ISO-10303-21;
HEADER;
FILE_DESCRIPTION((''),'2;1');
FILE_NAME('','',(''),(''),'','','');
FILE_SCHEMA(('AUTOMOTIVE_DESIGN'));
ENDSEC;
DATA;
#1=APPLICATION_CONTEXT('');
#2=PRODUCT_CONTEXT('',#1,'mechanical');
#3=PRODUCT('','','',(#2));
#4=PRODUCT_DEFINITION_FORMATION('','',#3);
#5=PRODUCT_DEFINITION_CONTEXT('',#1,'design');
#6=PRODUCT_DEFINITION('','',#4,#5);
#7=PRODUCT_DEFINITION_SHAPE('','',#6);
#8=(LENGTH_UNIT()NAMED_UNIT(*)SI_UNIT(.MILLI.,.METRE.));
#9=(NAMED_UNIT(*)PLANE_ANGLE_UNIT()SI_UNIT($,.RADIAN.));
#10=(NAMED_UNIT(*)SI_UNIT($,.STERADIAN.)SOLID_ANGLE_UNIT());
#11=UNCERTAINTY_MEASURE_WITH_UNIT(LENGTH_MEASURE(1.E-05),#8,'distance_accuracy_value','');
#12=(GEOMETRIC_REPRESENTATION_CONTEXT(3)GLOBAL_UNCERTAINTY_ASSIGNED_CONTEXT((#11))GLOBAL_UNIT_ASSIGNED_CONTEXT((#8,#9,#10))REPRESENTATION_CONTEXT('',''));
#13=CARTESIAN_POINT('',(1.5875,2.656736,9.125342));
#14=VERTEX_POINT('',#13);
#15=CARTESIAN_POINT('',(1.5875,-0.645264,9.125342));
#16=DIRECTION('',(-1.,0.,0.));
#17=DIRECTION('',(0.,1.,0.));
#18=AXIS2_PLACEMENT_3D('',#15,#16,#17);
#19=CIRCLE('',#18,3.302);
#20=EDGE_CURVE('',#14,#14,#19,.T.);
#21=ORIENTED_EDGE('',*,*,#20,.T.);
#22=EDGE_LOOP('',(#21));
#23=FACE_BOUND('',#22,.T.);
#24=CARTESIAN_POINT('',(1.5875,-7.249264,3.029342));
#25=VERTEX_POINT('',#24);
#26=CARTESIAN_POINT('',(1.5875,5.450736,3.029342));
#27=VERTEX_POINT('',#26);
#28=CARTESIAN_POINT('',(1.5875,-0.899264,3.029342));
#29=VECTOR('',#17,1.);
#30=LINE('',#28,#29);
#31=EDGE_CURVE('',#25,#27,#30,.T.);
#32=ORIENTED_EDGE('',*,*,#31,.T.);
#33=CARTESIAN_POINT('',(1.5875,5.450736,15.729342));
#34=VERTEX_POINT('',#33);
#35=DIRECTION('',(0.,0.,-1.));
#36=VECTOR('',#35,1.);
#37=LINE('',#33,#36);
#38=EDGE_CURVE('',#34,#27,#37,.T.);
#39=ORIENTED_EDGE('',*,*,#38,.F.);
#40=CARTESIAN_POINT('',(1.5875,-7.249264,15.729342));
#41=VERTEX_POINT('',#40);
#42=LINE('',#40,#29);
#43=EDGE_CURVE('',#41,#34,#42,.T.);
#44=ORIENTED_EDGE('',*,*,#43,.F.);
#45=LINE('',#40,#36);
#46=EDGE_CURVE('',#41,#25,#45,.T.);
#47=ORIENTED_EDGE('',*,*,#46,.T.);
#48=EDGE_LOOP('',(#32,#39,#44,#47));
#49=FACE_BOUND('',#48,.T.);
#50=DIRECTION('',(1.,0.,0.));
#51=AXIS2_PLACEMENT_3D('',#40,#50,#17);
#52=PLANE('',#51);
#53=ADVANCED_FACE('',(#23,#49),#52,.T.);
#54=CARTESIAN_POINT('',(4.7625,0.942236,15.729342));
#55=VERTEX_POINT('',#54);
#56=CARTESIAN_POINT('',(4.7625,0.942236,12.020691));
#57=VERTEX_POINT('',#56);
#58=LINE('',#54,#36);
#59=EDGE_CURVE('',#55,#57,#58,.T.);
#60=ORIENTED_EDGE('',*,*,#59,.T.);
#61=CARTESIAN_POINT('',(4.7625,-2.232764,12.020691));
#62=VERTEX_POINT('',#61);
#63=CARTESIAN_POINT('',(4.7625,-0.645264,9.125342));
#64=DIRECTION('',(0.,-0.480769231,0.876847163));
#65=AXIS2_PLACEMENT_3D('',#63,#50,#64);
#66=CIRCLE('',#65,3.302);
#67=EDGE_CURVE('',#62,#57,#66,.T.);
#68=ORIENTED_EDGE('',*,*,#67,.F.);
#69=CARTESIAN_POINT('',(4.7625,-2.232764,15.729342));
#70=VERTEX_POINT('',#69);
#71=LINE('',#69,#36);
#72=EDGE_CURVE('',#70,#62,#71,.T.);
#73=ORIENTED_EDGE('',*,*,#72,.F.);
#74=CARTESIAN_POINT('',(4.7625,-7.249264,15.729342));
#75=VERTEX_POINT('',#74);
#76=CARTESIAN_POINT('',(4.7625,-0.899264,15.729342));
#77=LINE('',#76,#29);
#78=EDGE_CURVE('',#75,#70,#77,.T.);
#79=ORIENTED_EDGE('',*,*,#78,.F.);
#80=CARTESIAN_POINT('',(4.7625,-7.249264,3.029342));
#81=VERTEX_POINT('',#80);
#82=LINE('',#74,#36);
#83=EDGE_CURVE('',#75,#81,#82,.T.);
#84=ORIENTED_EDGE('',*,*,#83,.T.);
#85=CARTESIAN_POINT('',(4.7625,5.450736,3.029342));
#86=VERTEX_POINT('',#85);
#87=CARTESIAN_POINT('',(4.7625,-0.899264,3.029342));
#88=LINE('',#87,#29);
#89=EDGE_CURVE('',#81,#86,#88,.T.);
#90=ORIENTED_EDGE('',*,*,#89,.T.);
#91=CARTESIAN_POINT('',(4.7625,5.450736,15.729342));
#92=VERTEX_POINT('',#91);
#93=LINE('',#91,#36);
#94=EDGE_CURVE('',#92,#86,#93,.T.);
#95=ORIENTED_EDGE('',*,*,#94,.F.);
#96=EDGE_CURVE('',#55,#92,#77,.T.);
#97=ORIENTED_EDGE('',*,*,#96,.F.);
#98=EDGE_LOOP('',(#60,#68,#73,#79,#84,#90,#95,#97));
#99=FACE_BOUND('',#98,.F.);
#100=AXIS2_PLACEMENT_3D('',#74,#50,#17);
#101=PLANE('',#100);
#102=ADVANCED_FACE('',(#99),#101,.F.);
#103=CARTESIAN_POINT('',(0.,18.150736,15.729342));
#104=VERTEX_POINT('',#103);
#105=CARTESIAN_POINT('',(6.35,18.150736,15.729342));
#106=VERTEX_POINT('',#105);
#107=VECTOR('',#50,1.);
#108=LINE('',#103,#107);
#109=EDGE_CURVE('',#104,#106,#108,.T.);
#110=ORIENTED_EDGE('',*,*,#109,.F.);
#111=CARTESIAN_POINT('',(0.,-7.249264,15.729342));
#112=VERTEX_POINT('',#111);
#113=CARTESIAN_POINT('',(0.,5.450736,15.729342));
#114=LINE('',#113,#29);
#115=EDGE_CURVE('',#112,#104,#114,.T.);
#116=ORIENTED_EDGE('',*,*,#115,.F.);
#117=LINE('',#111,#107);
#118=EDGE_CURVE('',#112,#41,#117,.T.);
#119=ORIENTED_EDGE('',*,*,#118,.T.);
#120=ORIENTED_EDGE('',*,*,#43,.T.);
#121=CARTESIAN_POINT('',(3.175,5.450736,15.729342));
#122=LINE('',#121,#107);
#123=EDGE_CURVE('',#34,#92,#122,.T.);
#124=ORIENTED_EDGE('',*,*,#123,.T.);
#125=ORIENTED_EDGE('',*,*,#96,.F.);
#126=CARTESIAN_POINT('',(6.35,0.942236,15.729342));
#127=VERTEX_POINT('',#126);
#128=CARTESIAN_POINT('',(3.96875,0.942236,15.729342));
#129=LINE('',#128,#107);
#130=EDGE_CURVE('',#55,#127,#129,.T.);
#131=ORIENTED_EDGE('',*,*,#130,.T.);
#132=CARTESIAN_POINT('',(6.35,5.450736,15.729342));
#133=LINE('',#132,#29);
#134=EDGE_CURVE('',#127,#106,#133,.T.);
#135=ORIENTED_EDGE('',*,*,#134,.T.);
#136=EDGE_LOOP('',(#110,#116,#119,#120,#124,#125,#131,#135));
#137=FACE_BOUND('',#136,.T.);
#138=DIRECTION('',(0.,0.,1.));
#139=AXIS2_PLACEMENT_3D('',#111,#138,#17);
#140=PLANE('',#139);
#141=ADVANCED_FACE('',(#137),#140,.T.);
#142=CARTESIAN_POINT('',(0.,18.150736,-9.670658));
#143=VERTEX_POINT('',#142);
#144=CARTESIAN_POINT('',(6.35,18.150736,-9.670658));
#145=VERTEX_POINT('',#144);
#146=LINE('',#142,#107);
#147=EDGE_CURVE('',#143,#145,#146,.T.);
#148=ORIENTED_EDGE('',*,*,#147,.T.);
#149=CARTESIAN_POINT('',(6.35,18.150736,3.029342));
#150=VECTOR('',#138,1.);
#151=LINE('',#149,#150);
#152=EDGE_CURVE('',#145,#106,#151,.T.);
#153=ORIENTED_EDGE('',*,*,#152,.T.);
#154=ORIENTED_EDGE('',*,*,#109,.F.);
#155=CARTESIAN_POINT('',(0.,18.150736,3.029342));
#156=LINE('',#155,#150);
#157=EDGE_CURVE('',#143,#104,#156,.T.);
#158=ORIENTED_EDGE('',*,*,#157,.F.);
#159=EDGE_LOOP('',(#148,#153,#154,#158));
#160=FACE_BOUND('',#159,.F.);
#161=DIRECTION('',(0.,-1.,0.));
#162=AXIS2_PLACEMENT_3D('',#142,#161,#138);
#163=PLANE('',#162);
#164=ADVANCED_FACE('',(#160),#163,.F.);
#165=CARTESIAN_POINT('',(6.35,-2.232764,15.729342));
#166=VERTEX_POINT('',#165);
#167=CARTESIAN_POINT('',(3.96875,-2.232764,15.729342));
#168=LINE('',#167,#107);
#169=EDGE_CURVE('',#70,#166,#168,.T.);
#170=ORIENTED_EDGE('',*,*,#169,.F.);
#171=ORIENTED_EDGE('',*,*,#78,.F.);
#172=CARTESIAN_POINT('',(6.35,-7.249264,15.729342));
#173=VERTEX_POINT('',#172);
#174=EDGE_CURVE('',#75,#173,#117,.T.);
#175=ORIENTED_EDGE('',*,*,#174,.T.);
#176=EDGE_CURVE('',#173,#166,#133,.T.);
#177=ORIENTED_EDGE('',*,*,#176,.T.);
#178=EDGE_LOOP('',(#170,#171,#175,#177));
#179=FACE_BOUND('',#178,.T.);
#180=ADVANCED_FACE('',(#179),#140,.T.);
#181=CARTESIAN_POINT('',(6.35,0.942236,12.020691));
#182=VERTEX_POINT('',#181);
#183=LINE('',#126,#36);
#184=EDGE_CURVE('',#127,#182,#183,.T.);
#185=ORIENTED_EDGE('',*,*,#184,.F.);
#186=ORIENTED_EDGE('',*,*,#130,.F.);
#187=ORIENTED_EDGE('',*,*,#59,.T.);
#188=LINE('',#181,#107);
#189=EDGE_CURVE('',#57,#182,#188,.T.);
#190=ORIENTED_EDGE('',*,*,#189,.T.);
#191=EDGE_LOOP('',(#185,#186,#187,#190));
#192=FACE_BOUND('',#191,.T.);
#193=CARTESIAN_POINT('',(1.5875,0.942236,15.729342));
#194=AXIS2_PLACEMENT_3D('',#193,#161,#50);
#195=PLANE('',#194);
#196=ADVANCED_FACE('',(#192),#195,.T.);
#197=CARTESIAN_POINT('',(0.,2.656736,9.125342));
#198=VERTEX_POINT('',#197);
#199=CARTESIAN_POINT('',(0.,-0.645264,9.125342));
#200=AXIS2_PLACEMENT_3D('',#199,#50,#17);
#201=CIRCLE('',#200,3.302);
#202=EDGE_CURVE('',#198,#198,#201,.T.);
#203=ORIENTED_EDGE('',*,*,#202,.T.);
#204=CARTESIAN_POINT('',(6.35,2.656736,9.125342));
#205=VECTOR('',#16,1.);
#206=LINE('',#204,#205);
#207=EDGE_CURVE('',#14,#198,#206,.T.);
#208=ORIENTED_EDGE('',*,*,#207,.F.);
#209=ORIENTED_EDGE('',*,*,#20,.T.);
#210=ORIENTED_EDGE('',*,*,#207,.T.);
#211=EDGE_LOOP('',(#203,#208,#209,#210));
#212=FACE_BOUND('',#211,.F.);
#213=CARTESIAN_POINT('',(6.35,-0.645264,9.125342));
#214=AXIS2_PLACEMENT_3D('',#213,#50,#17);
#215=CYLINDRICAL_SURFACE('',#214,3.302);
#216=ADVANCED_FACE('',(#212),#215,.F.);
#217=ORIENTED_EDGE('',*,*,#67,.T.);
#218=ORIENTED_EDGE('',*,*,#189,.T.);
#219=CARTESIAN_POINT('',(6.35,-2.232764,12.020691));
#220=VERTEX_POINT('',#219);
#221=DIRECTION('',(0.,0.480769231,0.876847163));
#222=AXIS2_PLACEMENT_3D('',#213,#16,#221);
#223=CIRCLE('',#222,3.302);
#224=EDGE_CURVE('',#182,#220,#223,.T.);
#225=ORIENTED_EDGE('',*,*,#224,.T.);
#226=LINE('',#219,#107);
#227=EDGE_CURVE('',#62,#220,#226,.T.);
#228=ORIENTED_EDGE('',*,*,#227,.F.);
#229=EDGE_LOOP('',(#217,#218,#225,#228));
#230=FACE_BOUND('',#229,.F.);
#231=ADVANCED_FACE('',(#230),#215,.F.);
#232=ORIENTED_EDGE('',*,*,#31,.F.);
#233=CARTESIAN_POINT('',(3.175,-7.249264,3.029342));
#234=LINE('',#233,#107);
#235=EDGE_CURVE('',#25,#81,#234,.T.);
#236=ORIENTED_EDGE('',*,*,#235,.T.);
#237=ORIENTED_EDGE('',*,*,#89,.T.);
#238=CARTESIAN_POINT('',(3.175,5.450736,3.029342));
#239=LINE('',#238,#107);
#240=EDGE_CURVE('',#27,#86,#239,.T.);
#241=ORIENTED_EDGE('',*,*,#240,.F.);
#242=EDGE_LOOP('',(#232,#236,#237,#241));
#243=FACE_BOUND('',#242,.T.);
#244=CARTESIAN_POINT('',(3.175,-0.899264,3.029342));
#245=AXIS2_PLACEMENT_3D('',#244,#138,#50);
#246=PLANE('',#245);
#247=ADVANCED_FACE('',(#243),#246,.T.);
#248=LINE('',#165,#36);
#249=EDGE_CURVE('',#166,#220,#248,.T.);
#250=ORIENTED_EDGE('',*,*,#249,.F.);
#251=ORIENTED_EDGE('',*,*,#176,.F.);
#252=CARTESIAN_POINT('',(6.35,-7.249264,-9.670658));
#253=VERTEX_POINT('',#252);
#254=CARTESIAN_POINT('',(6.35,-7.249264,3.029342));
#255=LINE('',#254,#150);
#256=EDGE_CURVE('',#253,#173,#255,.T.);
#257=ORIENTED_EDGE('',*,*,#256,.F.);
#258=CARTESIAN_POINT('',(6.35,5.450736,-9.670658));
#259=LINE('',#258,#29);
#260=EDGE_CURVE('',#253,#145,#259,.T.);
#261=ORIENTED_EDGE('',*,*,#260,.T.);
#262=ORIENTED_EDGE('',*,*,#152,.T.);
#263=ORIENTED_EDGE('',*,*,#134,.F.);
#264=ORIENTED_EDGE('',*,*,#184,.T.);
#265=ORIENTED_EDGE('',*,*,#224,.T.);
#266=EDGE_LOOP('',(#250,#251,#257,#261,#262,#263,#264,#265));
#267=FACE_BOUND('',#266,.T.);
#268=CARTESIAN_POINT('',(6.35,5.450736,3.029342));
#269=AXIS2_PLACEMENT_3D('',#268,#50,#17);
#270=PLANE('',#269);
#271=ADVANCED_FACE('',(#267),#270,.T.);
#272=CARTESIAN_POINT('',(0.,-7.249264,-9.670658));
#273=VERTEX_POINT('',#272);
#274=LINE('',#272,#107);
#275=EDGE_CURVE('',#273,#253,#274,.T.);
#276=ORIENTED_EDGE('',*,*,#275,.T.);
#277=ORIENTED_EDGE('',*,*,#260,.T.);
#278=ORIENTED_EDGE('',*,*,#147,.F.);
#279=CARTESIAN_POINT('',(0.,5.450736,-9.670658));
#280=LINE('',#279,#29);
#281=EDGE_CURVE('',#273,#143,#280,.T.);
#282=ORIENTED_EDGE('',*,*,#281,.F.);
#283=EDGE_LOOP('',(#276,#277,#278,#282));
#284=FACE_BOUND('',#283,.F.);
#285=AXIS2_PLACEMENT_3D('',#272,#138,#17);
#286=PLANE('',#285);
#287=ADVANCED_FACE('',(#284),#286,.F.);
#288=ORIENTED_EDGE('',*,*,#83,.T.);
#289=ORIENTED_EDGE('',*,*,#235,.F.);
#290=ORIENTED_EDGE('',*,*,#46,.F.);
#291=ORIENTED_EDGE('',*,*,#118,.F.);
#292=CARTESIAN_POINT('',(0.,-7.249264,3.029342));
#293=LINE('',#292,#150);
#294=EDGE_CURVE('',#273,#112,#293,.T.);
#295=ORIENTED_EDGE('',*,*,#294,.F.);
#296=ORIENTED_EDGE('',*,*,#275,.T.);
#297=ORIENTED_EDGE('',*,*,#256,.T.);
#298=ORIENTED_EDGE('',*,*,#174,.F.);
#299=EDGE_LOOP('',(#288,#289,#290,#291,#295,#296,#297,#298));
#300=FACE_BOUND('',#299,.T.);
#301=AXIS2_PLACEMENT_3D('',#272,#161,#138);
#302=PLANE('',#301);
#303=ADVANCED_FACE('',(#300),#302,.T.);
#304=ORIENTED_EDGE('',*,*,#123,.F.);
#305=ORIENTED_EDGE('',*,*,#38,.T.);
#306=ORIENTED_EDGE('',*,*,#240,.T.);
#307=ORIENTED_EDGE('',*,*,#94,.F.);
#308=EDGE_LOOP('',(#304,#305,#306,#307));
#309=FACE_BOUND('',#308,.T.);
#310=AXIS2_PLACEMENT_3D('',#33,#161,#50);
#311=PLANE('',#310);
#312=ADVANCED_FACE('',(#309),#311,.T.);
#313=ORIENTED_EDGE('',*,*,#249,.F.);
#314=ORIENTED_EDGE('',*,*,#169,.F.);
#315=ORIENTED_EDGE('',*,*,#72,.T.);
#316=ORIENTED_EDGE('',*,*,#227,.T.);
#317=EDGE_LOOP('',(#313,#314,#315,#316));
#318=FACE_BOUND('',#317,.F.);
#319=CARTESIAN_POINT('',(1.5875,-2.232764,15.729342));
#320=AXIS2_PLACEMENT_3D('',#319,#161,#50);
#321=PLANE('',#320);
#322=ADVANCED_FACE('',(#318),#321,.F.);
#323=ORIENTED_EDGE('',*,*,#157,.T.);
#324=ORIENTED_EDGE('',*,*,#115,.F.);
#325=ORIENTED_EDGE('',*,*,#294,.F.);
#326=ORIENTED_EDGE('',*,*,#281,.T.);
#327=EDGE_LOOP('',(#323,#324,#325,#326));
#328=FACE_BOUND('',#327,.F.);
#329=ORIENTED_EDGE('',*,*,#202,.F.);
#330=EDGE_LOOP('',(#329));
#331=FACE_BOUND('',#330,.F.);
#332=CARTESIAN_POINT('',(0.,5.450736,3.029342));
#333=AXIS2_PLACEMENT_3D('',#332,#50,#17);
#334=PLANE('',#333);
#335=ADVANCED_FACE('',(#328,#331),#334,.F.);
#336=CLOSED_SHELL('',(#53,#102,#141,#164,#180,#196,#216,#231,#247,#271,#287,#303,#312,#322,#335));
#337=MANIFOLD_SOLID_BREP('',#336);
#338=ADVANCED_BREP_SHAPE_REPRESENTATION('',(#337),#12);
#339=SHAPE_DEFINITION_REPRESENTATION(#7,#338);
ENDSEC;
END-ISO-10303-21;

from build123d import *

# Parameters (mm, degrees)
F0_W     = 25.4
F0_H     = 25.4
F1_DEPTH = 6.35
F2_R     = 3.302
F3_DEPTH = 25.4
F4_W     = 3.175
F4_H     = 12.7
F5_DEPTH = 12.7
F6_W     = 4.7625
F6_H     = 3.175
F7_DEPTH = 6.604


with BuildPart() as f1:
    # F0 (on Right) → F1 (new body)
    with BuildSketch(Plane.YZ):
        with Locations((5.450736, 3.029342)):
            Rectangle(F0_W, F0_H)
    extrude(amount=F1_DEPTH)

    # F2 (on face) → F3 (cut)
    with BuildSketch(Plane.YZ.offset(6.35)):
        with Locations((-0.645264, 9.125342)):
            Circle(F2_R)
    extrude(amount=-F3_DEPTH, mode=Mode.SUBTRACT)

    # F4 (on face) → F5 (cut)
    with BuildSketch(Plane.XY.offset(15.729342)):
        with Locations((3.175, -0.899264)):
            Rectangle(F4_W, F4_H)
    extrude(amount=-F5_DEPTH, mode=Mode.SUBTRACT)

    # F6 (on face) → F7 (cut)
    with BuildSketch(Plane.XY.offset(15.729342)):
        with Locations((3.96875, -0.645264)):
            Rectangle(F6_W, F6_H)
    extrude(amount=-F7_DEPTH, mode=Mode.SUBTRACT)


solid = f1.part
